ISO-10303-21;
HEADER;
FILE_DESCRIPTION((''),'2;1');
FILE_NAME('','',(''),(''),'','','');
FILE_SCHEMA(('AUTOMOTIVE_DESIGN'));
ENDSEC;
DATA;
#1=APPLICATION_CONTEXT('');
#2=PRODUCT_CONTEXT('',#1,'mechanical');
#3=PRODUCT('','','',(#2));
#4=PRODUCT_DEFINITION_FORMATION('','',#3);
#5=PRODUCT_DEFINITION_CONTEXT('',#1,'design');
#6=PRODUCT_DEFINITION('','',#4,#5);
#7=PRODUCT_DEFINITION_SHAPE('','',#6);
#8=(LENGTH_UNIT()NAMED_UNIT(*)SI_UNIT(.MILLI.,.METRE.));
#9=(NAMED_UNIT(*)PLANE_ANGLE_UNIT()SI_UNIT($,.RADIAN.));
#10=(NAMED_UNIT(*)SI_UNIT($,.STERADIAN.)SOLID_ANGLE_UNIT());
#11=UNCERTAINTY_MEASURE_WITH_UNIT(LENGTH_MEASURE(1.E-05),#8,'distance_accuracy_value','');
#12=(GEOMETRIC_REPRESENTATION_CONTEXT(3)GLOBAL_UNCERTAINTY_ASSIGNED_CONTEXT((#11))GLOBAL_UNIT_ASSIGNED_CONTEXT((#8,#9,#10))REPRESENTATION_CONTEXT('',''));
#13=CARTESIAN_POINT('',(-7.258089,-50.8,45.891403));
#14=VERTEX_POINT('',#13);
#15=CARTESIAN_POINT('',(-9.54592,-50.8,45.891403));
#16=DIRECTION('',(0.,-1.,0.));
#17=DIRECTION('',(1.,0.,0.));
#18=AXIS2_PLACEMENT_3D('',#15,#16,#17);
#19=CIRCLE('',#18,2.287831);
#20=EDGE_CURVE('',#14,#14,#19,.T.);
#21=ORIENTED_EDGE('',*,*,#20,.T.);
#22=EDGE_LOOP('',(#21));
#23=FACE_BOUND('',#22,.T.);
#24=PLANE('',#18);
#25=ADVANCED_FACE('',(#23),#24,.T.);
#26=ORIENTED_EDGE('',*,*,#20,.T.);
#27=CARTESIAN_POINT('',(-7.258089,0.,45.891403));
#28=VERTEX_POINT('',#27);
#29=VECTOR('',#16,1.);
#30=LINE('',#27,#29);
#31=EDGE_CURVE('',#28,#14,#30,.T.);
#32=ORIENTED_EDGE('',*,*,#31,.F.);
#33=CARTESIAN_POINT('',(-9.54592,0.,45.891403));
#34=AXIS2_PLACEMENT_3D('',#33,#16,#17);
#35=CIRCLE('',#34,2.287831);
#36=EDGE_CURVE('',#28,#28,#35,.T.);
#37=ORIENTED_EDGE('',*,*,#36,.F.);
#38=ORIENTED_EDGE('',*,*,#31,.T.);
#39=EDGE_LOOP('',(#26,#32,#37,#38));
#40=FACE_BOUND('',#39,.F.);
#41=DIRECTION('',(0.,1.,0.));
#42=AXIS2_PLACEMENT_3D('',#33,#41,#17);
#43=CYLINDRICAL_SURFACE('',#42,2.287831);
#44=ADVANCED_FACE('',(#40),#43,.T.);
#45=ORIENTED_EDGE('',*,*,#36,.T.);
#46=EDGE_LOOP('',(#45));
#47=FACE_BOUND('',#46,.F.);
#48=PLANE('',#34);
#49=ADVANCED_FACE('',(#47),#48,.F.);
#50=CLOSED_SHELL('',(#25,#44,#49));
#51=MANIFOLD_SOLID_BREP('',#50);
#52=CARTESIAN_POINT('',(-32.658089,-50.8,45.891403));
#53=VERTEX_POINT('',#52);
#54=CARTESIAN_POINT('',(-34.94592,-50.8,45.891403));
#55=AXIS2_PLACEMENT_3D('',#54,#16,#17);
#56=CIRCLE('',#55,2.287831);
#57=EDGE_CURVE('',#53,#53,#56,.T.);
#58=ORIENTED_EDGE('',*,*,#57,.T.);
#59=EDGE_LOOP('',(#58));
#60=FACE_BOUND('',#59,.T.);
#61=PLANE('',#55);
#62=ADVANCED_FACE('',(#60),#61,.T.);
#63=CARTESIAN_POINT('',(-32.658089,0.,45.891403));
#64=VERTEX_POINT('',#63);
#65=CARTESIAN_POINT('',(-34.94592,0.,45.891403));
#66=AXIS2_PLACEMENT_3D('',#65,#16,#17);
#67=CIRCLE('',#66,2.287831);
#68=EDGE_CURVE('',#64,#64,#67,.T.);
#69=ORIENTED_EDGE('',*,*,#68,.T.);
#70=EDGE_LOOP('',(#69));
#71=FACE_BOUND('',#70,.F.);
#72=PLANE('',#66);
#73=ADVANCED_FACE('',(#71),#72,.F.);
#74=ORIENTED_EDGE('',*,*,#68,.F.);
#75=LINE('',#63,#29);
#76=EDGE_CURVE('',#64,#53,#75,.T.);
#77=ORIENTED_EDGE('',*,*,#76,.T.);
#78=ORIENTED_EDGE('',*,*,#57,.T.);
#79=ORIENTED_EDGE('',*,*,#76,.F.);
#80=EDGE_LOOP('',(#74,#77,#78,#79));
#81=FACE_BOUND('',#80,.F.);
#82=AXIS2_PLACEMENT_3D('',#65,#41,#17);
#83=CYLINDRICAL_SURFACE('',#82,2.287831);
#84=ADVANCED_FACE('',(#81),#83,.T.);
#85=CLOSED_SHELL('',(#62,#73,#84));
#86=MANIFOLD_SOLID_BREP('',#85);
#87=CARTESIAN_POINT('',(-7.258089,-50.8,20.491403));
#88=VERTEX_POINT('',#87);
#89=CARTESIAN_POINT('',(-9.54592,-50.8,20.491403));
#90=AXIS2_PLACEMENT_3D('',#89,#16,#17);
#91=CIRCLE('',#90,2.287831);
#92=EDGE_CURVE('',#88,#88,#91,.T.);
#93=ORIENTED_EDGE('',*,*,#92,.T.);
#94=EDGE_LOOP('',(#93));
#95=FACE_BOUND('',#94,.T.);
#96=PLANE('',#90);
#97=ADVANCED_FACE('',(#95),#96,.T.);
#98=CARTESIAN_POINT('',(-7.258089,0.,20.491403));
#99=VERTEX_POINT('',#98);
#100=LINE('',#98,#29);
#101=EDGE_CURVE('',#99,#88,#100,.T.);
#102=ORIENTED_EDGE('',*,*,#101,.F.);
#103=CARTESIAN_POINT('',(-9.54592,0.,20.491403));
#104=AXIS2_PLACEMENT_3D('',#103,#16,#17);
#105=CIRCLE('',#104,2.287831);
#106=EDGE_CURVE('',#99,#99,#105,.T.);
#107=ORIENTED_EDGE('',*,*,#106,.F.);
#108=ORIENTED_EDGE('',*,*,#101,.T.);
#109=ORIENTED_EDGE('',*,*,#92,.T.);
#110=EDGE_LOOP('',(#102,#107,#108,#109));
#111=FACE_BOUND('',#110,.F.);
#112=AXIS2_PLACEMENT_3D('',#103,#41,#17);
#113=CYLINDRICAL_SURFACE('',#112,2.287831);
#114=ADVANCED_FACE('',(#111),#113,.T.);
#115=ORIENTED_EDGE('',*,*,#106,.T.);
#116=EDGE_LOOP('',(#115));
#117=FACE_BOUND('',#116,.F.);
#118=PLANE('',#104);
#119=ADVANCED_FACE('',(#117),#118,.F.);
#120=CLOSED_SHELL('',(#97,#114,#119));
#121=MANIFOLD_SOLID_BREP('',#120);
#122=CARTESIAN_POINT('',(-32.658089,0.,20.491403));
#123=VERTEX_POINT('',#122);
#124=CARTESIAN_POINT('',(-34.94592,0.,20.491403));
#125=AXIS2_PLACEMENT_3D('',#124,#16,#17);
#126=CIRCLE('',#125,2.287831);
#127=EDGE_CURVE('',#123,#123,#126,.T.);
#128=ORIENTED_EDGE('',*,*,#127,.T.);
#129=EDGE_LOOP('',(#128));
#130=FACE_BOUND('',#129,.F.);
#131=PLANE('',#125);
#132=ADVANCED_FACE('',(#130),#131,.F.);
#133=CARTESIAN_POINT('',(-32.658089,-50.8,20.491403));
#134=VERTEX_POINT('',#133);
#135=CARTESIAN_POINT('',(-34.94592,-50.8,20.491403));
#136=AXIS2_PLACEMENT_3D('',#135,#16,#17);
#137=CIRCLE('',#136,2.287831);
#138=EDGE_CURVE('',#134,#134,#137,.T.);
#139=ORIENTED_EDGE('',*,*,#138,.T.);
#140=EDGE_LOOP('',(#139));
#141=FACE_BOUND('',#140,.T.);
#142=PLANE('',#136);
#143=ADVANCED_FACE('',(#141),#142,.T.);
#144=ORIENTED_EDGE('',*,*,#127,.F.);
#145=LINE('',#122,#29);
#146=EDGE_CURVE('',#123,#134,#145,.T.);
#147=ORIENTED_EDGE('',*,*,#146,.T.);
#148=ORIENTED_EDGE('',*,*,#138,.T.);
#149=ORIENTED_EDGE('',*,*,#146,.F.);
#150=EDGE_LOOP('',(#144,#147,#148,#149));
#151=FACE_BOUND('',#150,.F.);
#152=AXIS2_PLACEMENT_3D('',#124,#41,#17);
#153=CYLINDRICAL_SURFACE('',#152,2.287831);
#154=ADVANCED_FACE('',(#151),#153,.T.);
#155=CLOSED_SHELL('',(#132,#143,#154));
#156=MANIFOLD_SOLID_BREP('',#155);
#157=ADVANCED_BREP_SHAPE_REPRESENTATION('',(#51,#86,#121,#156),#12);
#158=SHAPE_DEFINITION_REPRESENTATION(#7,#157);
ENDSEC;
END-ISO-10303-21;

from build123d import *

# Parameters (mm, degrees)
F0_R     = 2.287831
F1_DEPTH = 50.8


with BuildPart() as f1:
    # F0 (on Front) → F1 (new body)
    with BuildSketch(Plane.XZ):
        with Locations((-34.94592, 45.891403)):
            Circle(F0_R)
        with Locations((-9.54592, 45.891403)):
            Circle(F0_R)
        with Locations((-9.54592, 20.491403)):
            Circle(F0_R)
        with Locations((-34.94592, 20.491403)):
            Circle(F0_R)
    extrude(amount=F1_DEPTH)


solid = f1.part
